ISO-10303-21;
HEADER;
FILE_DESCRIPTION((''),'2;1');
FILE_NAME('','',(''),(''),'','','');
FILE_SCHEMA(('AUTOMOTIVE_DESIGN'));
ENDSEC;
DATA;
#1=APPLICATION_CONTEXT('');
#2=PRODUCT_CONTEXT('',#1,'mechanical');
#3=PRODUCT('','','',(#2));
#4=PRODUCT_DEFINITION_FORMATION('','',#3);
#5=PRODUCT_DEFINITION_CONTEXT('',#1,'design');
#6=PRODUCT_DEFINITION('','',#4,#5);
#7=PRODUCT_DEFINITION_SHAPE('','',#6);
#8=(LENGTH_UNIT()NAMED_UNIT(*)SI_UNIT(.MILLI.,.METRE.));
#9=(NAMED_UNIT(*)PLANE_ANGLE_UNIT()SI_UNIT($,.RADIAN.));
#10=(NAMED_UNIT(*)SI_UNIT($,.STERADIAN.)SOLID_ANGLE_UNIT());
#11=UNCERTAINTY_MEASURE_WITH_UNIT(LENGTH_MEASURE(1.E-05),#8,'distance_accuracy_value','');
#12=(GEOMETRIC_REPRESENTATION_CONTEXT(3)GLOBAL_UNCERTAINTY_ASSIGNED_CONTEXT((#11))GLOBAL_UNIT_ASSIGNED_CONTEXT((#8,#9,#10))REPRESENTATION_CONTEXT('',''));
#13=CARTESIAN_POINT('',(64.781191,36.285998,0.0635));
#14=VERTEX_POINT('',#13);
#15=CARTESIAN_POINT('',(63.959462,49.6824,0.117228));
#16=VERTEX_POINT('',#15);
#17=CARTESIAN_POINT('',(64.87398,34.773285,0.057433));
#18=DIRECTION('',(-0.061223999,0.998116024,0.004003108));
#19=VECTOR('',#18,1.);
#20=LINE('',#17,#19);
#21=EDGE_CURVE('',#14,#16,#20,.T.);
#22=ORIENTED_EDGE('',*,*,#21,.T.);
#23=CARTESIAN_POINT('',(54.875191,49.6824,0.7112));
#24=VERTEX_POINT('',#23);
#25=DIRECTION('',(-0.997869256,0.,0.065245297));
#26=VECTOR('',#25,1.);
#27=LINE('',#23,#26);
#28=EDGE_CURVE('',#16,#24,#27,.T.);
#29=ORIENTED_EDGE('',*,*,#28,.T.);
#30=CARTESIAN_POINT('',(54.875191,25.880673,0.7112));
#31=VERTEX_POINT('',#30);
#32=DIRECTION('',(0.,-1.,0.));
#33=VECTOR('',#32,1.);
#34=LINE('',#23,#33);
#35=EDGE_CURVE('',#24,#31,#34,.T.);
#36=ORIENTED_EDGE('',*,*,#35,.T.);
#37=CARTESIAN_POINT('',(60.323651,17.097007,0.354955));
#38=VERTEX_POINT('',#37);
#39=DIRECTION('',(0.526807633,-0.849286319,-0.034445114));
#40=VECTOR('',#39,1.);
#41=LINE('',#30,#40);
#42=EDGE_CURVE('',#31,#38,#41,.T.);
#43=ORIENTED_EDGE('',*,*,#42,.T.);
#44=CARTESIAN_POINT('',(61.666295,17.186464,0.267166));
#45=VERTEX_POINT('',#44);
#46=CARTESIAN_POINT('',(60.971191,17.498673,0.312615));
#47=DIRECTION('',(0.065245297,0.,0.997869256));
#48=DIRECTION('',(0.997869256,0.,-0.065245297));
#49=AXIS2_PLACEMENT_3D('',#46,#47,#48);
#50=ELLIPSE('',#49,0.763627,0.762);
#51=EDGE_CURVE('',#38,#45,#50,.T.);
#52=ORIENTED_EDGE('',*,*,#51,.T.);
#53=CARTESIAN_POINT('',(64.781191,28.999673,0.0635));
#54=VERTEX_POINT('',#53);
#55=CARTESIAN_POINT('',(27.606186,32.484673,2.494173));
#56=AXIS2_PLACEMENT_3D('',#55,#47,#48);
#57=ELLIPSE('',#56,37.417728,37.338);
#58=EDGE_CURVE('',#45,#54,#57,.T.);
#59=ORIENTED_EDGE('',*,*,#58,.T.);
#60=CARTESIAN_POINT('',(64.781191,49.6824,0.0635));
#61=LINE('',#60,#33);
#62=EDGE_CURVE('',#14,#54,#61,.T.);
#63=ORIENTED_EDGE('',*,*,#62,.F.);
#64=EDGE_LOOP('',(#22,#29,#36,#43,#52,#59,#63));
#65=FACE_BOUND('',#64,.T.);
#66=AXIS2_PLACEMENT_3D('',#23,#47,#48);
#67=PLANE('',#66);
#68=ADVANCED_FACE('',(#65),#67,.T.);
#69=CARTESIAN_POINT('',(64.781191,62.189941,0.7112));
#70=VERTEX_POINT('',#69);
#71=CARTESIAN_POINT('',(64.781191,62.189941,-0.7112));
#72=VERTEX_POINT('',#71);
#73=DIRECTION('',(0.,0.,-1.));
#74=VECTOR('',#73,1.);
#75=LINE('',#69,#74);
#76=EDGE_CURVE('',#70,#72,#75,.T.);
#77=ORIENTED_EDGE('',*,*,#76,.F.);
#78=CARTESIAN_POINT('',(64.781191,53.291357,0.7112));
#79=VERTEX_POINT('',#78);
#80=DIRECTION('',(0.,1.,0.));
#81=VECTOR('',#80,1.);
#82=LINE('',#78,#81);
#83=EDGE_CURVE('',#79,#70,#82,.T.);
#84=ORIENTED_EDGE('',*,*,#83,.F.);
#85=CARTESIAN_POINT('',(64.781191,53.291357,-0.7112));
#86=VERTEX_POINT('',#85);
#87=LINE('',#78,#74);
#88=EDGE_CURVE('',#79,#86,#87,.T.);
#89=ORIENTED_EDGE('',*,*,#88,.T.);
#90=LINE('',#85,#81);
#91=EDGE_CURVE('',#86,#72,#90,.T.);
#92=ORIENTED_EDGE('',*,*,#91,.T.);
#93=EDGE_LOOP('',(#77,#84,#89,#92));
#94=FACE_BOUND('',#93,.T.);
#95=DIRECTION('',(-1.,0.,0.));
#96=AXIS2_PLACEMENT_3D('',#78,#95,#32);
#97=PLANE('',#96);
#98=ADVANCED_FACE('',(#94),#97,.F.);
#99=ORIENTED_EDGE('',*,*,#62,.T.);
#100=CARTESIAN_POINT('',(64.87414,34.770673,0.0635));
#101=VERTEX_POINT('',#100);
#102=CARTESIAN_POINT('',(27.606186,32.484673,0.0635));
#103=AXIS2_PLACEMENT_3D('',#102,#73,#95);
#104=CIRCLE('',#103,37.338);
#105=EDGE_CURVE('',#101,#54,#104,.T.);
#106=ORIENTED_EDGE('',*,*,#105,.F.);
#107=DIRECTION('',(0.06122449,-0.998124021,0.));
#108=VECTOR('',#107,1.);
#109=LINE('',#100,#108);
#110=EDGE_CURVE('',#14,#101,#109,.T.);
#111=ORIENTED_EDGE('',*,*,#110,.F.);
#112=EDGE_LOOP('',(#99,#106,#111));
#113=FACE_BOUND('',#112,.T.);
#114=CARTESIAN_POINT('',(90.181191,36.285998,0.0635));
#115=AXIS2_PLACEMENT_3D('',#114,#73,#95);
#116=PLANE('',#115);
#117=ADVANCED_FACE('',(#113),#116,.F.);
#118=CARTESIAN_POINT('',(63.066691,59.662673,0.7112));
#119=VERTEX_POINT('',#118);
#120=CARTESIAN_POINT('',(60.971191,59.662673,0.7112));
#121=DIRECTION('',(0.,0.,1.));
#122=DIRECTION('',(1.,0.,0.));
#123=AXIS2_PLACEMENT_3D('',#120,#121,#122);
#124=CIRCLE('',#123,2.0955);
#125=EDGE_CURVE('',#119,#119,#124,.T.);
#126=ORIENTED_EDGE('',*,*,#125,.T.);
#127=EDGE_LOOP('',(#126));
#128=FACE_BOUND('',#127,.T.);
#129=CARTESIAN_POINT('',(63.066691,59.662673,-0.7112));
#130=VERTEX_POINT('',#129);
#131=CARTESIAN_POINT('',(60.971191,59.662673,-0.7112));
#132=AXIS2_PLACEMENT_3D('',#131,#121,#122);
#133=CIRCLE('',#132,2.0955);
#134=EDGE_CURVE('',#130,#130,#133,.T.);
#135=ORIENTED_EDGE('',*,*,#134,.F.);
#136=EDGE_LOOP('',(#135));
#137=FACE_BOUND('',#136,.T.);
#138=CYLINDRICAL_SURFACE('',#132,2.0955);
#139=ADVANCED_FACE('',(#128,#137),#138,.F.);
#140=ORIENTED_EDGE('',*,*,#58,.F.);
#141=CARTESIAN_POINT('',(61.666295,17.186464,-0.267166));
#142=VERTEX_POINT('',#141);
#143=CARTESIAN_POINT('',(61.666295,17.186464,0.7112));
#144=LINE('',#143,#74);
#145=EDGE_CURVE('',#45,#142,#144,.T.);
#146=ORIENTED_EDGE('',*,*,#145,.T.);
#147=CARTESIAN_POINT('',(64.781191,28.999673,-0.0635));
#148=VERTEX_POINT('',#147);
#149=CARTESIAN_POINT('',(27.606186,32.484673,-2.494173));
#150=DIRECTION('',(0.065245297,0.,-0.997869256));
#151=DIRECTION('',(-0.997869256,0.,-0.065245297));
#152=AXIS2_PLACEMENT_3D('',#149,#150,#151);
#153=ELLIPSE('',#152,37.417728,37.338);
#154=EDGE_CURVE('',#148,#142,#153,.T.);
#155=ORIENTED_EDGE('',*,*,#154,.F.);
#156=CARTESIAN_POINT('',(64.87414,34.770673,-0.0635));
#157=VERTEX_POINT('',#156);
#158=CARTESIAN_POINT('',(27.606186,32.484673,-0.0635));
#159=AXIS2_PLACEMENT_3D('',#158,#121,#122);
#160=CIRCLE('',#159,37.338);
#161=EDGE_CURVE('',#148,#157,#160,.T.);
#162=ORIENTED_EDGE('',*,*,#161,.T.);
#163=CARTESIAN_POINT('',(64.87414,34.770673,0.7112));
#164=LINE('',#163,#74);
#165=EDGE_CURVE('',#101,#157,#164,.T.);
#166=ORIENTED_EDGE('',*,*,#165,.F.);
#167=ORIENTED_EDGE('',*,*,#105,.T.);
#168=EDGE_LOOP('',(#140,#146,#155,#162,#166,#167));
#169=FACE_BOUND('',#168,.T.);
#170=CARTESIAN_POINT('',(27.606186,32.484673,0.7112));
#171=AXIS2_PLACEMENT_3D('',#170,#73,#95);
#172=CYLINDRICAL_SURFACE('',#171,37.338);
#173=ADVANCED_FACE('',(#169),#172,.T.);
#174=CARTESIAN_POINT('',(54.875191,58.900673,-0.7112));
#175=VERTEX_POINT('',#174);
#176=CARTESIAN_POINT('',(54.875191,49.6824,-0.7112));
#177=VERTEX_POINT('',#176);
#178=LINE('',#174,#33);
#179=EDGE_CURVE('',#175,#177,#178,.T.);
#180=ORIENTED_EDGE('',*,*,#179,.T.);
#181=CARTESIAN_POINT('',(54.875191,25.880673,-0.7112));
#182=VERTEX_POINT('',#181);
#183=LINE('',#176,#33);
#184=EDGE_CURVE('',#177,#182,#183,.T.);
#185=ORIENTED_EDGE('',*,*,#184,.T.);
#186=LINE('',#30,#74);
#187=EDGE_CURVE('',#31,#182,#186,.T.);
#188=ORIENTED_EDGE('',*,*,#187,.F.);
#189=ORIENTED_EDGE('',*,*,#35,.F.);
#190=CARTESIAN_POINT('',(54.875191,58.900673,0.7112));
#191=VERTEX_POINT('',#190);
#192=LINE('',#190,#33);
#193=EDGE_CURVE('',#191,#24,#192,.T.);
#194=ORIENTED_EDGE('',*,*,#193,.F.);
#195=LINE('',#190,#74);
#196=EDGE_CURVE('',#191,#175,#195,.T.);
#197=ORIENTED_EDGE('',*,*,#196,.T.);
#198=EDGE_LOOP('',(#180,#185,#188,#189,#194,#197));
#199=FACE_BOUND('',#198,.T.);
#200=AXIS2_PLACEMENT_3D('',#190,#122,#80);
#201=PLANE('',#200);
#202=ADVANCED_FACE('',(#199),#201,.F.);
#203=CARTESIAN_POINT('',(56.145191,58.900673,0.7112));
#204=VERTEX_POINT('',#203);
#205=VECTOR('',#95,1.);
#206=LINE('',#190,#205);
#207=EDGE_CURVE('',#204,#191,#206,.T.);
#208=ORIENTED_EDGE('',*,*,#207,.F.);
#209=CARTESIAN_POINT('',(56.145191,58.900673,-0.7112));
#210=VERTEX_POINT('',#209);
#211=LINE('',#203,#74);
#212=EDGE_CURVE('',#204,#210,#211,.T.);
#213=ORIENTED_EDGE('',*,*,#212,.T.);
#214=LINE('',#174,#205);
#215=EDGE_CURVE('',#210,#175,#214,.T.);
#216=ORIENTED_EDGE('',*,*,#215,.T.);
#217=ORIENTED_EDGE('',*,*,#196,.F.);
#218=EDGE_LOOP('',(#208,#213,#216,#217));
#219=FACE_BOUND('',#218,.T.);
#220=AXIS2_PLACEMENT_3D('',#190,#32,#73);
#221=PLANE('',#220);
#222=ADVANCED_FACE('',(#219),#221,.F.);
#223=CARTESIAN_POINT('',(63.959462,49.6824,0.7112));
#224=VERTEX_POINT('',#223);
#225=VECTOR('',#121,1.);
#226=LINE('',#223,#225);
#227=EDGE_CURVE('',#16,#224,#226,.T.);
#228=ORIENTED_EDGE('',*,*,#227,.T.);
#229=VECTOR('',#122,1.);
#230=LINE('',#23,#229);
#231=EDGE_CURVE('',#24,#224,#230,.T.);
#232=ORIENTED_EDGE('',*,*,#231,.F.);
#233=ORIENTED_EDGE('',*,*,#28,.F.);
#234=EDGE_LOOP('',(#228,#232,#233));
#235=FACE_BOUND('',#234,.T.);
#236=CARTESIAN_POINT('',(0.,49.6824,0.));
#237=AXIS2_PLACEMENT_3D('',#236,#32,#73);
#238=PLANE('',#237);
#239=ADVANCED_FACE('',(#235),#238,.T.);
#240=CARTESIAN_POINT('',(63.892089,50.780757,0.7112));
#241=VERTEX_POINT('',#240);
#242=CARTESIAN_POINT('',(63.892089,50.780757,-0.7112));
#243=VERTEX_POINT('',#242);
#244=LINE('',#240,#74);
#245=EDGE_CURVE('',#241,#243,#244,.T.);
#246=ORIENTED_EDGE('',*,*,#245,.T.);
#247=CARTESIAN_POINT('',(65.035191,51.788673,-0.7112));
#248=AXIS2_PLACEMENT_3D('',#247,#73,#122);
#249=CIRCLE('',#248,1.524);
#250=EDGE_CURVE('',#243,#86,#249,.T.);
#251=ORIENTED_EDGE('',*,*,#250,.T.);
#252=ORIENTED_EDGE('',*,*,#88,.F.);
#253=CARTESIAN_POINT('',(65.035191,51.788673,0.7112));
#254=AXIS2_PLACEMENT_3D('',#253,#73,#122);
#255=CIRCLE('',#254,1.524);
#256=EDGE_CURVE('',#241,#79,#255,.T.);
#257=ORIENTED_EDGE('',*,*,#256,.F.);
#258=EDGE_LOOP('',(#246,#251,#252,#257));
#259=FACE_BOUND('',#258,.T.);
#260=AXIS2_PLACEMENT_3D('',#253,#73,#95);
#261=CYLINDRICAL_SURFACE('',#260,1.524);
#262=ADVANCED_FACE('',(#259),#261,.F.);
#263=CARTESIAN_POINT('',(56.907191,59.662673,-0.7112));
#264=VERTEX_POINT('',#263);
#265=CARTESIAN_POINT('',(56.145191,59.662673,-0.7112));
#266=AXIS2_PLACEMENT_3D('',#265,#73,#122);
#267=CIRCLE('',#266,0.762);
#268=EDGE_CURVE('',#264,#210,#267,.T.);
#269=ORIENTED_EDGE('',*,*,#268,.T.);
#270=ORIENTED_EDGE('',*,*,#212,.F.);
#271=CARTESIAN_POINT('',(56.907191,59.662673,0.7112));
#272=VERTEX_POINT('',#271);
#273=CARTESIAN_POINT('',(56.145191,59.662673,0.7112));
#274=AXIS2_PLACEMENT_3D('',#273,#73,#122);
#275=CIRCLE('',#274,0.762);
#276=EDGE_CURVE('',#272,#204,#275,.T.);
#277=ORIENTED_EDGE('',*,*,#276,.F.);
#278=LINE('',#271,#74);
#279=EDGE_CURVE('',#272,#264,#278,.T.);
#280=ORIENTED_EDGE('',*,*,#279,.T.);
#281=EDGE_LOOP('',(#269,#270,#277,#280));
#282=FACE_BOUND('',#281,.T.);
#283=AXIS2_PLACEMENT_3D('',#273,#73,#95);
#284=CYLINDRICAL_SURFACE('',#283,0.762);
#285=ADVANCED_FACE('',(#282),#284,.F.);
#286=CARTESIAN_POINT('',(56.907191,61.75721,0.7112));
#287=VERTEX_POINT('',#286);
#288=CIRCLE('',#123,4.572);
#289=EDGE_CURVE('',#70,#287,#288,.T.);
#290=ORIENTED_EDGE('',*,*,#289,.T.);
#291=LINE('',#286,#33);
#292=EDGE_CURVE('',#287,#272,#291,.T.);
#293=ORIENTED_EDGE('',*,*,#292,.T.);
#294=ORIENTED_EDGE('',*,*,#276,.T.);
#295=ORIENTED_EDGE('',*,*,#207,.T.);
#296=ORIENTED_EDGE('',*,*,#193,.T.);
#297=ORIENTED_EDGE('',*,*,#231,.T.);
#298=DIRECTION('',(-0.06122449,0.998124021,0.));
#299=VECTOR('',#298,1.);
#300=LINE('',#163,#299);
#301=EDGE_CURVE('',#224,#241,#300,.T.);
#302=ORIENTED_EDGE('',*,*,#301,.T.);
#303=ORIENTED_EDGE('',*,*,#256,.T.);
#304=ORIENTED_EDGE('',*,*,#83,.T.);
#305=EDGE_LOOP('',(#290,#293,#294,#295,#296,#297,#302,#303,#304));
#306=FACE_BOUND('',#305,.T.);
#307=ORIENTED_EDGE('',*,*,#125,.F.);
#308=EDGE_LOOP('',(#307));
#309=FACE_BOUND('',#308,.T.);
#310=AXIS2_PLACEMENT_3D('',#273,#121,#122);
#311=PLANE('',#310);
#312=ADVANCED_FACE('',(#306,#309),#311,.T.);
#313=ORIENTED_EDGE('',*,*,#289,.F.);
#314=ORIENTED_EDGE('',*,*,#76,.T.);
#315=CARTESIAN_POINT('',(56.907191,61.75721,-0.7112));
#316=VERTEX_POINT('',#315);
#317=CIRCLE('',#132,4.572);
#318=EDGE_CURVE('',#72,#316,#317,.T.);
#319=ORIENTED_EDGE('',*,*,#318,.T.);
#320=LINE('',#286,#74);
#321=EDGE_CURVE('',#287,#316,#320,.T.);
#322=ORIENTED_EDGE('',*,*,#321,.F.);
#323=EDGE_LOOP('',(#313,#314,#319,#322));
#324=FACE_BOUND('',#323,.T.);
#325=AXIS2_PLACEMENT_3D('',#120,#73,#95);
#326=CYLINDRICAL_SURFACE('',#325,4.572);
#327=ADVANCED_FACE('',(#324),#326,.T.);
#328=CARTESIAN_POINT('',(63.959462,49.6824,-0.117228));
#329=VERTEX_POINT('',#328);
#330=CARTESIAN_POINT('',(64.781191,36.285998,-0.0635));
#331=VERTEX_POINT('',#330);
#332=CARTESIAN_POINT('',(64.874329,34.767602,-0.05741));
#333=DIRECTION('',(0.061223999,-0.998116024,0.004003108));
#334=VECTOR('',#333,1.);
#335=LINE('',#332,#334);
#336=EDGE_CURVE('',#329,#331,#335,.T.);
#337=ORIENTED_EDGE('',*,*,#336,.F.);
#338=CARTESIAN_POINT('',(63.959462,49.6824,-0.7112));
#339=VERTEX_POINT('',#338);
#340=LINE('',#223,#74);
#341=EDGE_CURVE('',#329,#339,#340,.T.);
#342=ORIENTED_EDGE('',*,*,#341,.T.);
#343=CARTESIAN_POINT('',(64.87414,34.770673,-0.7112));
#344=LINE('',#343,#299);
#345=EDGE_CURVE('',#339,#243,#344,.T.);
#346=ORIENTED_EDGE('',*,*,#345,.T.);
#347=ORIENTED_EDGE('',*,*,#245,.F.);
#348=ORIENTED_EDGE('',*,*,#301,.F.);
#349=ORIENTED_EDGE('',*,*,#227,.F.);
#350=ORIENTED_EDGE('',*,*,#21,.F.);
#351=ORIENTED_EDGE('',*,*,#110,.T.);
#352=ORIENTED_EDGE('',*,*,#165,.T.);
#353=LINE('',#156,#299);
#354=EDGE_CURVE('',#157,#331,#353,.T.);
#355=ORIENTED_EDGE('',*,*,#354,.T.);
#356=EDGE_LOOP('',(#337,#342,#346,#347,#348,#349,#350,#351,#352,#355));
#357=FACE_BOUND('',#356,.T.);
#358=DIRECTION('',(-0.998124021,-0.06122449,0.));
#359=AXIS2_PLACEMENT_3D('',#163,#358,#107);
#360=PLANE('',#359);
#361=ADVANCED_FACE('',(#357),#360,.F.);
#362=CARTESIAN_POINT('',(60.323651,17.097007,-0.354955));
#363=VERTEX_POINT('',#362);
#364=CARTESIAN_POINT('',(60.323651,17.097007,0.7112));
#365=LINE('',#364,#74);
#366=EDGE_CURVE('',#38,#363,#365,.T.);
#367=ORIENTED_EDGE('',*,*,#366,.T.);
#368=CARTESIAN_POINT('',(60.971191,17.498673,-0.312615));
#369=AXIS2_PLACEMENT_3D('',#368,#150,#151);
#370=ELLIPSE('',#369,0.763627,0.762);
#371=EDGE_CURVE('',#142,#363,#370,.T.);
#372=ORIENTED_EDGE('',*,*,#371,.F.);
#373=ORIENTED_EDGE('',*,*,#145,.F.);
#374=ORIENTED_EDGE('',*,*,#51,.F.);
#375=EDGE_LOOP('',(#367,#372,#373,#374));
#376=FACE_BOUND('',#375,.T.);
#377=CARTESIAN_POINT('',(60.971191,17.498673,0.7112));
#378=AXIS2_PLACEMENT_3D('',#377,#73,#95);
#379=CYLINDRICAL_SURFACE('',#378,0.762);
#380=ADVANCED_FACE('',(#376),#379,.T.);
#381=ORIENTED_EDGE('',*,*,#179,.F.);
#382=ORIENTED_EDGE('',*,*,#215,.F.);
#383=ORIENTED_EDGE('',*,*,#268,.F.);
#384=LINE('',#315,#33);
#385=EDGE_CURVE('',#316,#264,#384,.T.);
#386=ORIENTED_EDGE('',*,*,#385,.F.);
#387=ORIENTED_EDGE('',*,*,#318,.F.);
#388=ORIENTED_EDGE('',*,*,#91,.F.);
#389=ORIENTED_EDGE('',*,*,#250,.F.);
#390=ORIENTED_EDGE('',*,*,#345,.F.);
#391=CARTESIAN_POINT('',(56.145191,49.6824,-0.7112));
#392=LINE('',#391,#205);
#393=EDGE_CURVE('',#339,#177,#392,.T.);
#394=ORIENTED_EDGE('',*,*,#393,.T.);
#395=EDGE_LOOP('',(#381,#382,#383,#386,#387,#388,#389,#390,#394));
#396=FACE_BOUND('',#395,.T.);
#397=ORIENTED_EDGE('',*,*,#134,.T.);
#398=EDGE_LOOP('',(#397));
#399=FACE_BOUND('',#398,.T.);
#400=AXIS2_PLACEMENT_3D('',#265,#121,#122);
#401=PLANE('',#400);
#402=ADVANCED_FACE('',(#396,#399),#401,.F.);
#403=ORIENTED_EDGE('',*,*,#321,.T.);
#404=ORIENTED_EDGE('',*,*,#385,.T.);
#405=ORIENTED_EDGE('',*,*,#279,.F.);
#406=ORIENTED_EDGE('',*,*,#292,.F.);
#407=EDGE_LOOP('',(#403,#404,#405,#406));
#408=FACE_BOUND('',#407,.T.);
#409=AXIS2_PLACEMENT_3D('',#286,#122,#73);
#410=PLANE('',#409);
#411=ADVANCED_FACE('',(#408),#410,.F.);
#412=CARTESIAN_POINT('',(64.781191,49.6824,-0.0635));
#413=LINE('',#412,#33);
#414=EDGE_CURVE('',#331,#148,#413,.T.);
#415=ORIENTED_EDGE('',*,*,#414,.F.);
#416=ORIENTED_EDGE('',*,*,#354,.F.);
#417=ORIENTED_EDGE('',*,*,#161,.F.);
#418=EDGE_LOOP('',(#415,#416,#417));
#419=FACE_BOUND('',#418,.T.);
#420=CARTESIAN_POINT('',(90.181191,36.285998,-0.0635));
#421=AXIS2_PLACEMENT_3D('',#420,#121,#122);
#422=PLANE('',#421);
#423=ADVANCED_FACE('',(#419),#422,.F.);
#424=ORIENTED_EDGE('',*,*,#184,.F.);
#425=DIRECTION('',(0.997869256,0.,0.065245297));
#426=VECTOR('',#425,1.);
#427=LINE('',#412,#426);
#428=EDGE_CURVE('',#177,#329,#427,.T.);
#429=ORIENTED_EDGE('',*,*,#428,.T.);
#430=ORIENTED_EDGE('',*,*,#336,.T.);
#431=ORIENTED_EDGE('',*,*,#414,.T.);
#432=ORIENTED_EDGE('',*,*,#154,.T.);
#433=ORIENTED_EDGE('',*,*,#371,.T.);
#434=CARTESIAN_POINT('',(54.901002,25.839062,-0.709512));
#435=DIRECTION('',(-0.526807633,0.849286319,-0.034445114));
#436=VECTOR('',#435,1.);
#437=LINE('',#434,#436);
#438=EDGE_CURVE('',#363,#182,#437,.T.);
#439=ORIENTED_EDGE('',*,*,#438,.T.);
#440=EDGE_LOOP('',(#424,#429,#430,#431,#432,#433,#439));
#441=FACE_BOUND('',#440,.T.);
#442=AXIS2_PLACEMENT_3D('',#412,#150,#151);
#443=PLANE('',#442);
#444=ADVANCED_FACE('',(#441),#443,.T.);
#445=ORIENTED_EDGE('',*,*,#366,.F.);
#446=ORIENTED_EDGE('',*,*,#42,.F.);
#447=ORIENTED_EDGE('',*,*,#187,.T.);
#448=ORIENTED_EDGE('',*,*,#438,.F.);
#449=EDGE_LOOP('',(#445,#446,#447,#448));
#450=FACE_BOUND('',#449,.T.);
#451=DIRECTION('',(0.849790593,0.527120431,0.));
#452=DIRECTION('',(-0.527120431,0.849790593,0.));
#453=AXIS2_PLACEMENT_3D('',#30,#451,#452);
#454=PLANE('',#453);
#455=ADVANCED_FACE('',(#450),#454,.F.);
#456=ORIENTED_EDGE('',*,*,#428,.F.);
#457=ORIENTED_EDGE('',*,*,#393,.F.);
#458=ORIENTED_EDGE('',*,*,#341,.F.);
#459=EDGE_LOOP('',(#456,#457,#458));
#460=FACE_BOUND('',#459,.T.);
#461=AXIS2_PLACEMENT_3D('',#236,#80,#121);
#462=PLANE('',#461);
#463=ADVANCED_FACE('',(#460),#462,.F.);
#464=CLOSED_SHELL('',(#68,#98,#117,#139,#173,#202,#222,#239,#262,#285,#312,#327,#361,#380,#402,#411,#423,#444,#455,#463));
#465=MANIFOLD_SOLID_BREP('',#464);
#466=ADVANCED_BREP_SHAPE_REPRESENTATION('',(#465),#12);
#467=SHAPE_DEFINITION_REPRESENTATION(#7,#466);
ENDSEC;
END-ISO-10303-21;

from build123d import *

# Parameters (mm, degrees)
BOSS_EXTRUDE1_DEPTH = 0.7112
SKETCH2_R           = 2.0955
CUT_EXTRUDE1_DEPTH  = 2.4224
CUT_EXTRUDE2_DEPTH  = 49.6824
SKETCH4_W           = 0.6477
SKETCH4_H           = 7.286325031
CUT_EXTRUDE4_DEPTH  = 25.4


with BuildPart() as part:
    # Sketch1 → Boss-Extrude1 (new body, symmetric)
    with BuildSketch(Plane.XY):
        with BuildLine():
            Line((54.87519109, 58.900672801), (54.87519109, 25.880672801))
            Line((54.87519109, 25.880672801), (60.323650659, 17.097007032))
            ThreePointArc((60.323650659, 17.097007032), (61.02184914, 16.738358549), (61.666295368, 17.186464467))
            ThreePointArc((61.666295368, 17.186464467), (64.337974251, 25.783780398), (64.874140477, 34.770672801))
            Line((64.874140477, 34.770672801), (63.892088906, 50.780757429))
            ThreePointArc((63.892088906, 50.780757429), (63.598614861, 52.297421008), (64.78119109, 53.291357066))
            Line((64.78119109, 53.291357066), (64.78119109, 62.189940891))
            ThreePointArc((64.78119109, 62.189940891), (60.720306841, 64.227784091), (56.90719109, 61.757210459))
            Line((56.90719109, 61.757210459), (56.90719109, 59.662672801))
            ThreePointArc((56.90719109, 59.662672801), (56.684006458, 59.123857434), (56.14519109, 58.900672801))
            Line((56.14519109, 58.900672801), (54.87519109, 58.900672801))
        make_face()
    extrude(amount=BOSS_EXTRUDE1_DEPTH, both=True)

    # Sketch2 → Cut-Extrude1 (cut, through all)
    with BuildSketch(Plane.XY.offset(0.7112)):
        with Locations((60.97119109, 59.662672801)):
            Circle(SKETCH2_R)
    extrude(amount=-CUT_EXTRUDE1_DEPTH, mode=Mode.SUBTRACT)

    # Sketch3 → Cut-Extrude2 (cut)
    with BuildSketch(Plane(origin=(0, 0, 0), x_dir=(1, 0, 0), z_dir=(0, 1, 0))):
        Polygon((64.78119109, 0.0635), (54.87519109, 0.7112), (64.78119109, 0.7112), align=None)
        Polygon((54.87519109, -0.7112), (64.78119109, -0.0635), (64.78119109, -0.7112), align=None)
    extrude(amount=CUT_EXTRUDE2_DEPTH, mode=Mode.SUBTRACT)

    # Sketch4 → Cut-Extrude4 (cut)
    with BuildSketch(Plane.ZY.offset(-64.78119109)):
        with Locations((0.38735, 32.642835537)):
            Rectangle(SKETCH4_W, SKETCH4_H)
        with Locations((-0.38735, 32.642835537)):
            Rectangle(SKETCH4_W, SKETCH4_H)
    extrude(amount=-CUT_EXTRUDE4_DEPTH, mode=Mode.SUBTRACT)


solid = part.part
